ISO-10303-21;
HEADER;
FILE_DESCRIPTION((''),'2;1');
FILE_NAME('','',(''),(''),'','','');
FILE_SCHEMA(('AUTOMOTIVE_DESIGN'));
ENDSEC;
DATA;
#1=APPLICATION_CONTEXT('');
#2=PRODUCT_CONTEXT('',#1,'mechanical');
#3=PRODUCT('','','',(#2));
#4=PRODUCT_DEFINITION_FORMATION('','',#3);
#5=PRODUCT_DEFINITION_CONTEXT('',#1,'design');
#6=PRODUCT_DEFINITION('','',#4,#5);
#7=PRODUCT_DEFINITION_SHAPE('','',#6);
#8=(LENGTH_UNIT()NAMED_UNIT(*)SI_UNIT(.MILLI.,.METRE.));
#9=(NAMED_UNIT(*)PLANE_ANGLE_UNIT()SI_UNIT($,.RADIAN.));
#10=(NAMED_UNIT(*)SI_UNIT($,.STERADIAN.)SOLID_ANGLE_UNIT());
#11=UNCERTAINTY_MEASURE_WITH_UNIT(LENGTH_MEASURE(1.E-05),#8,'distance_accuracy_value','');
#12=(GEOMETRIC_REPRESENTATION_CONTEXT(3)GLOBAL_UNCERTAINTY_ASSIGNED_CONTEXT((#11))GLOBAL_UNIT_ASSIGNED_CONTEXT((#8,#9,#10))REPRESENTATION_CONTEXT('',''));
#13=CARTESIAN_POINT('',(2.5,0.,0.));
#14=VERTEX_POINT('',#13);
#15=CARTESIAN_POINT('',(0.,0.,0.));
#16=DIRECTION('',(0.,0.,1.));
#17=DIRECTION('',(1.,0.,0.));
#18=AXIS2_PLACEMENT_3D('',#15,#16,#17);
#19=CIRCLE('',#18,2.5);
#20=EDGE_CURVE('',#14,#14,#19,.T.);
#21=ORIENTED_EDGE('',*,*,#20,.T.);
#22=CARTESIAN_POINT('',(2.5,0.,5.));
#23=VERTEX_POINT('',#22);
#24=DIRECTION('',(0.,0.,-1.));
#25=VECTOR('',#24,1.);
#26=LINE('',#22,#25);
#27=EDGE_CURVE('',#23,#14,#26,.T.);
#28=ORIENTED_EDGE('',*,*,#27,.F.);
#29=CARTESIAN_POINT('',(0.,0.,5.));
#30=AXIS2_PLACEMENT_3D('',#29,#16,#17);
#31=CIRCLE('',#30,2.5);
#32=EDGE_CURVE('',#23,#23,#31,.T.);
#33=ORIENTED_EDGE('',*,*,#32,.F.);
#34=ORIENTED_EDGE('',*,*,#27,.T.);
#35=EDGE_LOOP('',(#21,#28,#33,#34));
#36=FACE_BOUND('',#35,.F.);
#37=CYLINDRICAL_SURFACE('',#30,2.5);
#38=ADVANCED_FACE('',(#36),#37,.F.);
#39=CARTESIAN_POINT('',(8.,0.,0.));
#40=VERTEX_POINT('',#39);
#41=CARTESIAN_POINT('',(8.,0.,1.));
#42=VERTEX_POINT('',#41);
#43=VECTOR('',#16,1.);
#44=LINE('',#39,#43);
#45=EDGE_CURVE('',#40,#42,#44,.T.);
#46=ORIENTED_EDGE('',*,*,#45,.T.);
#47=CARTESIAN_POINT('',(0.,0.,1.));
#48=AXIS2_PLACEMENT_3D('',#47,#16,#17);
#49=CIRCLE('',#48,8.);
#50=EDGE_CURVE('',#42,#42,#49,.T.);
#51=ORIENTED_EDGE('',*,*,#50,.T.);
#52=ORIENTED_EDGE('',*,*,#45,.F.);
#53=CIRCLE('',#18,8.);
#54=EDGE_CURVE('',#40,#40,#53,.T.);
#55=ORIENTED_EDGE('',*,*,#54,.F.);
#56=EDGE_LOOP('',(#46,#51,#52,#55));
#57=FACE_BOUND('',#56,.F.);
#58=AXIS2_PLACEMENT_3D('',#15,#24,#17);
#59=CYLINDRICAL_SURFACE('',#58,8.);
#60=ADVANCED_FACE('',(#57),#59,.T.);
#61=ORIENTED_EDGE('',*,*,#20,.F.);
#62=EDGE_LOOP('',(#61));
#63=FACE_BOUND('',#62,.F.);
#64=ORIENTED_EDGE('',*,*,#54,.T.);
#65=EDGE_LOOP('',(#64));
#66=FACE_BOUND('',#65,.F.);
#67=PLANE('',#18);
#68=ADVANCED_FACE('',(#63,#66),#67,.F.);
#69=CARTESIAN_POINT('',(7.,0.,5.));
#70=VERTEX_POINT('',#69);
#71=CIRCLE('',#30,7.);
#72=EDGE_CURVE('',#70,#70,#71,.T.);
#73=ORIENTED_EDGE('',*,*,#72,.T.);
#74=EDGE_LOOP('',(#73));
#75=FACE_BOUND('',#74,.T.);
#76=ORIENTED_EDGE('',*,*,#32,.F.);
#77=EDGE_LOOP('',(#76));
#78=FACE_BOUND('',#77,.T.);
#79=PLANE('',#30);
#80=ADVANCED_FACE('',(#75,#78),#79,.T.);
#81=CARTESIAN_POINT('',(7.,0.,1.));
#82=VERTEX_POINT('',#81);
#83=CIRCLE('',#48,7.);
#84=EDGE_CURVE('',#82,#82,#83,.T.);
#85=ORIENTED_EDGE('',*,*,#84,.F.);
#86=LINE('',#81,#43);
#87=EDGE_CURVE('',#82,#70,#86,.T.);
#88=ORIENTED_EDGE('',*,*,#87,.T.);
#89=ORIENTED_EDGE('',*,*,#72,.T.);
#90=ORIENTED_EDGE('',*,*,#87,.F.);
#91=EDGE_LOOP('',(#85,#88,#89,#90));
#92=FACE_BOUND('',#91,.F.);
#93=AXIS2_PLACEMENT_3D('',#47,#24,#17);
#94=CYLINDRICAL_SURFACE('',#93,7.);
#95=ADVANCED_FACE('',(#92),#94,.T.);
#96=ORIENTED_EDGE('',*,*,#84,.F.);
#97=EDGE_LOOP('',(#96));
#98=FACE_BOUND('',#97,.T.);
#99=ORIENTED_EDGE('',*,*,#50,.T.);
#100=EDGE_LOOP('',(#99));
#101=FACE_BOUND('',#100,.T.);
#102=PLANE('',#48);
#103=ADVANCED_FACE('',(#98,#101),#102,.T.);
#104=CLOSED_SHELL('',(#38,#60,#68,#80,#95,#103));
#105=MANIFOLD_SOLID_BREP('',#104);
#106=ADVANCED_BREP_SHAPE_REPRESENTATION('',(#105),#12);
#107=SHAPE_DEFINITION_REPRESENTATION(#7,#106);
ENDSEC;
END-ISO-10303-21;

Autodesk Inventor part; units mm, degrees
ref_plane "YZ Plane" through (0, 0, 0) normal (1, 0, 0) x (0, 1, 0)
ref_plane "XZ Plane" through (0, 0, 0) normal (0, 1, 0) x (-1, 0, 0)
ref_plane "XY Plane" through (0, 0, 0) normal (0, 0, 1) x (1, 0, 0)
sketch "Sketch1" plane through (0, 0, 0) normal (0, 0, 1) x (1, 0, 0)
  circle A0 centre (0, 0) radius 8
  dimension "d0" = 16
extrude "Extrusion1" add sketch "Sketch1" along normal blind 1
sketch "Sketch2" plane through (0, 0, 1) normal (0, 0, 1) x (1, 0, 0)
  circle A0 centre (0, 0) radius 8 projected
  circle A1 centre (0, 0) radius 7
  dimension "d4" = 14
extrude "Extrusion2" add sketch "Sketch2" along normal blind 4 contours A1
sketch "Sketch3" plane through (0, 0, 5) normal (0, 0, 1) x (1, 0, 0)
  circle A0 centre (0, 0) radius 7 projected
  circle A1 centre (0, 0) radius 2.5
  dimension "d8" = 5
extrude "Extrusion3" cut sketch "Sketch3" against normal through all contours A1
properties part number "f605zz"
